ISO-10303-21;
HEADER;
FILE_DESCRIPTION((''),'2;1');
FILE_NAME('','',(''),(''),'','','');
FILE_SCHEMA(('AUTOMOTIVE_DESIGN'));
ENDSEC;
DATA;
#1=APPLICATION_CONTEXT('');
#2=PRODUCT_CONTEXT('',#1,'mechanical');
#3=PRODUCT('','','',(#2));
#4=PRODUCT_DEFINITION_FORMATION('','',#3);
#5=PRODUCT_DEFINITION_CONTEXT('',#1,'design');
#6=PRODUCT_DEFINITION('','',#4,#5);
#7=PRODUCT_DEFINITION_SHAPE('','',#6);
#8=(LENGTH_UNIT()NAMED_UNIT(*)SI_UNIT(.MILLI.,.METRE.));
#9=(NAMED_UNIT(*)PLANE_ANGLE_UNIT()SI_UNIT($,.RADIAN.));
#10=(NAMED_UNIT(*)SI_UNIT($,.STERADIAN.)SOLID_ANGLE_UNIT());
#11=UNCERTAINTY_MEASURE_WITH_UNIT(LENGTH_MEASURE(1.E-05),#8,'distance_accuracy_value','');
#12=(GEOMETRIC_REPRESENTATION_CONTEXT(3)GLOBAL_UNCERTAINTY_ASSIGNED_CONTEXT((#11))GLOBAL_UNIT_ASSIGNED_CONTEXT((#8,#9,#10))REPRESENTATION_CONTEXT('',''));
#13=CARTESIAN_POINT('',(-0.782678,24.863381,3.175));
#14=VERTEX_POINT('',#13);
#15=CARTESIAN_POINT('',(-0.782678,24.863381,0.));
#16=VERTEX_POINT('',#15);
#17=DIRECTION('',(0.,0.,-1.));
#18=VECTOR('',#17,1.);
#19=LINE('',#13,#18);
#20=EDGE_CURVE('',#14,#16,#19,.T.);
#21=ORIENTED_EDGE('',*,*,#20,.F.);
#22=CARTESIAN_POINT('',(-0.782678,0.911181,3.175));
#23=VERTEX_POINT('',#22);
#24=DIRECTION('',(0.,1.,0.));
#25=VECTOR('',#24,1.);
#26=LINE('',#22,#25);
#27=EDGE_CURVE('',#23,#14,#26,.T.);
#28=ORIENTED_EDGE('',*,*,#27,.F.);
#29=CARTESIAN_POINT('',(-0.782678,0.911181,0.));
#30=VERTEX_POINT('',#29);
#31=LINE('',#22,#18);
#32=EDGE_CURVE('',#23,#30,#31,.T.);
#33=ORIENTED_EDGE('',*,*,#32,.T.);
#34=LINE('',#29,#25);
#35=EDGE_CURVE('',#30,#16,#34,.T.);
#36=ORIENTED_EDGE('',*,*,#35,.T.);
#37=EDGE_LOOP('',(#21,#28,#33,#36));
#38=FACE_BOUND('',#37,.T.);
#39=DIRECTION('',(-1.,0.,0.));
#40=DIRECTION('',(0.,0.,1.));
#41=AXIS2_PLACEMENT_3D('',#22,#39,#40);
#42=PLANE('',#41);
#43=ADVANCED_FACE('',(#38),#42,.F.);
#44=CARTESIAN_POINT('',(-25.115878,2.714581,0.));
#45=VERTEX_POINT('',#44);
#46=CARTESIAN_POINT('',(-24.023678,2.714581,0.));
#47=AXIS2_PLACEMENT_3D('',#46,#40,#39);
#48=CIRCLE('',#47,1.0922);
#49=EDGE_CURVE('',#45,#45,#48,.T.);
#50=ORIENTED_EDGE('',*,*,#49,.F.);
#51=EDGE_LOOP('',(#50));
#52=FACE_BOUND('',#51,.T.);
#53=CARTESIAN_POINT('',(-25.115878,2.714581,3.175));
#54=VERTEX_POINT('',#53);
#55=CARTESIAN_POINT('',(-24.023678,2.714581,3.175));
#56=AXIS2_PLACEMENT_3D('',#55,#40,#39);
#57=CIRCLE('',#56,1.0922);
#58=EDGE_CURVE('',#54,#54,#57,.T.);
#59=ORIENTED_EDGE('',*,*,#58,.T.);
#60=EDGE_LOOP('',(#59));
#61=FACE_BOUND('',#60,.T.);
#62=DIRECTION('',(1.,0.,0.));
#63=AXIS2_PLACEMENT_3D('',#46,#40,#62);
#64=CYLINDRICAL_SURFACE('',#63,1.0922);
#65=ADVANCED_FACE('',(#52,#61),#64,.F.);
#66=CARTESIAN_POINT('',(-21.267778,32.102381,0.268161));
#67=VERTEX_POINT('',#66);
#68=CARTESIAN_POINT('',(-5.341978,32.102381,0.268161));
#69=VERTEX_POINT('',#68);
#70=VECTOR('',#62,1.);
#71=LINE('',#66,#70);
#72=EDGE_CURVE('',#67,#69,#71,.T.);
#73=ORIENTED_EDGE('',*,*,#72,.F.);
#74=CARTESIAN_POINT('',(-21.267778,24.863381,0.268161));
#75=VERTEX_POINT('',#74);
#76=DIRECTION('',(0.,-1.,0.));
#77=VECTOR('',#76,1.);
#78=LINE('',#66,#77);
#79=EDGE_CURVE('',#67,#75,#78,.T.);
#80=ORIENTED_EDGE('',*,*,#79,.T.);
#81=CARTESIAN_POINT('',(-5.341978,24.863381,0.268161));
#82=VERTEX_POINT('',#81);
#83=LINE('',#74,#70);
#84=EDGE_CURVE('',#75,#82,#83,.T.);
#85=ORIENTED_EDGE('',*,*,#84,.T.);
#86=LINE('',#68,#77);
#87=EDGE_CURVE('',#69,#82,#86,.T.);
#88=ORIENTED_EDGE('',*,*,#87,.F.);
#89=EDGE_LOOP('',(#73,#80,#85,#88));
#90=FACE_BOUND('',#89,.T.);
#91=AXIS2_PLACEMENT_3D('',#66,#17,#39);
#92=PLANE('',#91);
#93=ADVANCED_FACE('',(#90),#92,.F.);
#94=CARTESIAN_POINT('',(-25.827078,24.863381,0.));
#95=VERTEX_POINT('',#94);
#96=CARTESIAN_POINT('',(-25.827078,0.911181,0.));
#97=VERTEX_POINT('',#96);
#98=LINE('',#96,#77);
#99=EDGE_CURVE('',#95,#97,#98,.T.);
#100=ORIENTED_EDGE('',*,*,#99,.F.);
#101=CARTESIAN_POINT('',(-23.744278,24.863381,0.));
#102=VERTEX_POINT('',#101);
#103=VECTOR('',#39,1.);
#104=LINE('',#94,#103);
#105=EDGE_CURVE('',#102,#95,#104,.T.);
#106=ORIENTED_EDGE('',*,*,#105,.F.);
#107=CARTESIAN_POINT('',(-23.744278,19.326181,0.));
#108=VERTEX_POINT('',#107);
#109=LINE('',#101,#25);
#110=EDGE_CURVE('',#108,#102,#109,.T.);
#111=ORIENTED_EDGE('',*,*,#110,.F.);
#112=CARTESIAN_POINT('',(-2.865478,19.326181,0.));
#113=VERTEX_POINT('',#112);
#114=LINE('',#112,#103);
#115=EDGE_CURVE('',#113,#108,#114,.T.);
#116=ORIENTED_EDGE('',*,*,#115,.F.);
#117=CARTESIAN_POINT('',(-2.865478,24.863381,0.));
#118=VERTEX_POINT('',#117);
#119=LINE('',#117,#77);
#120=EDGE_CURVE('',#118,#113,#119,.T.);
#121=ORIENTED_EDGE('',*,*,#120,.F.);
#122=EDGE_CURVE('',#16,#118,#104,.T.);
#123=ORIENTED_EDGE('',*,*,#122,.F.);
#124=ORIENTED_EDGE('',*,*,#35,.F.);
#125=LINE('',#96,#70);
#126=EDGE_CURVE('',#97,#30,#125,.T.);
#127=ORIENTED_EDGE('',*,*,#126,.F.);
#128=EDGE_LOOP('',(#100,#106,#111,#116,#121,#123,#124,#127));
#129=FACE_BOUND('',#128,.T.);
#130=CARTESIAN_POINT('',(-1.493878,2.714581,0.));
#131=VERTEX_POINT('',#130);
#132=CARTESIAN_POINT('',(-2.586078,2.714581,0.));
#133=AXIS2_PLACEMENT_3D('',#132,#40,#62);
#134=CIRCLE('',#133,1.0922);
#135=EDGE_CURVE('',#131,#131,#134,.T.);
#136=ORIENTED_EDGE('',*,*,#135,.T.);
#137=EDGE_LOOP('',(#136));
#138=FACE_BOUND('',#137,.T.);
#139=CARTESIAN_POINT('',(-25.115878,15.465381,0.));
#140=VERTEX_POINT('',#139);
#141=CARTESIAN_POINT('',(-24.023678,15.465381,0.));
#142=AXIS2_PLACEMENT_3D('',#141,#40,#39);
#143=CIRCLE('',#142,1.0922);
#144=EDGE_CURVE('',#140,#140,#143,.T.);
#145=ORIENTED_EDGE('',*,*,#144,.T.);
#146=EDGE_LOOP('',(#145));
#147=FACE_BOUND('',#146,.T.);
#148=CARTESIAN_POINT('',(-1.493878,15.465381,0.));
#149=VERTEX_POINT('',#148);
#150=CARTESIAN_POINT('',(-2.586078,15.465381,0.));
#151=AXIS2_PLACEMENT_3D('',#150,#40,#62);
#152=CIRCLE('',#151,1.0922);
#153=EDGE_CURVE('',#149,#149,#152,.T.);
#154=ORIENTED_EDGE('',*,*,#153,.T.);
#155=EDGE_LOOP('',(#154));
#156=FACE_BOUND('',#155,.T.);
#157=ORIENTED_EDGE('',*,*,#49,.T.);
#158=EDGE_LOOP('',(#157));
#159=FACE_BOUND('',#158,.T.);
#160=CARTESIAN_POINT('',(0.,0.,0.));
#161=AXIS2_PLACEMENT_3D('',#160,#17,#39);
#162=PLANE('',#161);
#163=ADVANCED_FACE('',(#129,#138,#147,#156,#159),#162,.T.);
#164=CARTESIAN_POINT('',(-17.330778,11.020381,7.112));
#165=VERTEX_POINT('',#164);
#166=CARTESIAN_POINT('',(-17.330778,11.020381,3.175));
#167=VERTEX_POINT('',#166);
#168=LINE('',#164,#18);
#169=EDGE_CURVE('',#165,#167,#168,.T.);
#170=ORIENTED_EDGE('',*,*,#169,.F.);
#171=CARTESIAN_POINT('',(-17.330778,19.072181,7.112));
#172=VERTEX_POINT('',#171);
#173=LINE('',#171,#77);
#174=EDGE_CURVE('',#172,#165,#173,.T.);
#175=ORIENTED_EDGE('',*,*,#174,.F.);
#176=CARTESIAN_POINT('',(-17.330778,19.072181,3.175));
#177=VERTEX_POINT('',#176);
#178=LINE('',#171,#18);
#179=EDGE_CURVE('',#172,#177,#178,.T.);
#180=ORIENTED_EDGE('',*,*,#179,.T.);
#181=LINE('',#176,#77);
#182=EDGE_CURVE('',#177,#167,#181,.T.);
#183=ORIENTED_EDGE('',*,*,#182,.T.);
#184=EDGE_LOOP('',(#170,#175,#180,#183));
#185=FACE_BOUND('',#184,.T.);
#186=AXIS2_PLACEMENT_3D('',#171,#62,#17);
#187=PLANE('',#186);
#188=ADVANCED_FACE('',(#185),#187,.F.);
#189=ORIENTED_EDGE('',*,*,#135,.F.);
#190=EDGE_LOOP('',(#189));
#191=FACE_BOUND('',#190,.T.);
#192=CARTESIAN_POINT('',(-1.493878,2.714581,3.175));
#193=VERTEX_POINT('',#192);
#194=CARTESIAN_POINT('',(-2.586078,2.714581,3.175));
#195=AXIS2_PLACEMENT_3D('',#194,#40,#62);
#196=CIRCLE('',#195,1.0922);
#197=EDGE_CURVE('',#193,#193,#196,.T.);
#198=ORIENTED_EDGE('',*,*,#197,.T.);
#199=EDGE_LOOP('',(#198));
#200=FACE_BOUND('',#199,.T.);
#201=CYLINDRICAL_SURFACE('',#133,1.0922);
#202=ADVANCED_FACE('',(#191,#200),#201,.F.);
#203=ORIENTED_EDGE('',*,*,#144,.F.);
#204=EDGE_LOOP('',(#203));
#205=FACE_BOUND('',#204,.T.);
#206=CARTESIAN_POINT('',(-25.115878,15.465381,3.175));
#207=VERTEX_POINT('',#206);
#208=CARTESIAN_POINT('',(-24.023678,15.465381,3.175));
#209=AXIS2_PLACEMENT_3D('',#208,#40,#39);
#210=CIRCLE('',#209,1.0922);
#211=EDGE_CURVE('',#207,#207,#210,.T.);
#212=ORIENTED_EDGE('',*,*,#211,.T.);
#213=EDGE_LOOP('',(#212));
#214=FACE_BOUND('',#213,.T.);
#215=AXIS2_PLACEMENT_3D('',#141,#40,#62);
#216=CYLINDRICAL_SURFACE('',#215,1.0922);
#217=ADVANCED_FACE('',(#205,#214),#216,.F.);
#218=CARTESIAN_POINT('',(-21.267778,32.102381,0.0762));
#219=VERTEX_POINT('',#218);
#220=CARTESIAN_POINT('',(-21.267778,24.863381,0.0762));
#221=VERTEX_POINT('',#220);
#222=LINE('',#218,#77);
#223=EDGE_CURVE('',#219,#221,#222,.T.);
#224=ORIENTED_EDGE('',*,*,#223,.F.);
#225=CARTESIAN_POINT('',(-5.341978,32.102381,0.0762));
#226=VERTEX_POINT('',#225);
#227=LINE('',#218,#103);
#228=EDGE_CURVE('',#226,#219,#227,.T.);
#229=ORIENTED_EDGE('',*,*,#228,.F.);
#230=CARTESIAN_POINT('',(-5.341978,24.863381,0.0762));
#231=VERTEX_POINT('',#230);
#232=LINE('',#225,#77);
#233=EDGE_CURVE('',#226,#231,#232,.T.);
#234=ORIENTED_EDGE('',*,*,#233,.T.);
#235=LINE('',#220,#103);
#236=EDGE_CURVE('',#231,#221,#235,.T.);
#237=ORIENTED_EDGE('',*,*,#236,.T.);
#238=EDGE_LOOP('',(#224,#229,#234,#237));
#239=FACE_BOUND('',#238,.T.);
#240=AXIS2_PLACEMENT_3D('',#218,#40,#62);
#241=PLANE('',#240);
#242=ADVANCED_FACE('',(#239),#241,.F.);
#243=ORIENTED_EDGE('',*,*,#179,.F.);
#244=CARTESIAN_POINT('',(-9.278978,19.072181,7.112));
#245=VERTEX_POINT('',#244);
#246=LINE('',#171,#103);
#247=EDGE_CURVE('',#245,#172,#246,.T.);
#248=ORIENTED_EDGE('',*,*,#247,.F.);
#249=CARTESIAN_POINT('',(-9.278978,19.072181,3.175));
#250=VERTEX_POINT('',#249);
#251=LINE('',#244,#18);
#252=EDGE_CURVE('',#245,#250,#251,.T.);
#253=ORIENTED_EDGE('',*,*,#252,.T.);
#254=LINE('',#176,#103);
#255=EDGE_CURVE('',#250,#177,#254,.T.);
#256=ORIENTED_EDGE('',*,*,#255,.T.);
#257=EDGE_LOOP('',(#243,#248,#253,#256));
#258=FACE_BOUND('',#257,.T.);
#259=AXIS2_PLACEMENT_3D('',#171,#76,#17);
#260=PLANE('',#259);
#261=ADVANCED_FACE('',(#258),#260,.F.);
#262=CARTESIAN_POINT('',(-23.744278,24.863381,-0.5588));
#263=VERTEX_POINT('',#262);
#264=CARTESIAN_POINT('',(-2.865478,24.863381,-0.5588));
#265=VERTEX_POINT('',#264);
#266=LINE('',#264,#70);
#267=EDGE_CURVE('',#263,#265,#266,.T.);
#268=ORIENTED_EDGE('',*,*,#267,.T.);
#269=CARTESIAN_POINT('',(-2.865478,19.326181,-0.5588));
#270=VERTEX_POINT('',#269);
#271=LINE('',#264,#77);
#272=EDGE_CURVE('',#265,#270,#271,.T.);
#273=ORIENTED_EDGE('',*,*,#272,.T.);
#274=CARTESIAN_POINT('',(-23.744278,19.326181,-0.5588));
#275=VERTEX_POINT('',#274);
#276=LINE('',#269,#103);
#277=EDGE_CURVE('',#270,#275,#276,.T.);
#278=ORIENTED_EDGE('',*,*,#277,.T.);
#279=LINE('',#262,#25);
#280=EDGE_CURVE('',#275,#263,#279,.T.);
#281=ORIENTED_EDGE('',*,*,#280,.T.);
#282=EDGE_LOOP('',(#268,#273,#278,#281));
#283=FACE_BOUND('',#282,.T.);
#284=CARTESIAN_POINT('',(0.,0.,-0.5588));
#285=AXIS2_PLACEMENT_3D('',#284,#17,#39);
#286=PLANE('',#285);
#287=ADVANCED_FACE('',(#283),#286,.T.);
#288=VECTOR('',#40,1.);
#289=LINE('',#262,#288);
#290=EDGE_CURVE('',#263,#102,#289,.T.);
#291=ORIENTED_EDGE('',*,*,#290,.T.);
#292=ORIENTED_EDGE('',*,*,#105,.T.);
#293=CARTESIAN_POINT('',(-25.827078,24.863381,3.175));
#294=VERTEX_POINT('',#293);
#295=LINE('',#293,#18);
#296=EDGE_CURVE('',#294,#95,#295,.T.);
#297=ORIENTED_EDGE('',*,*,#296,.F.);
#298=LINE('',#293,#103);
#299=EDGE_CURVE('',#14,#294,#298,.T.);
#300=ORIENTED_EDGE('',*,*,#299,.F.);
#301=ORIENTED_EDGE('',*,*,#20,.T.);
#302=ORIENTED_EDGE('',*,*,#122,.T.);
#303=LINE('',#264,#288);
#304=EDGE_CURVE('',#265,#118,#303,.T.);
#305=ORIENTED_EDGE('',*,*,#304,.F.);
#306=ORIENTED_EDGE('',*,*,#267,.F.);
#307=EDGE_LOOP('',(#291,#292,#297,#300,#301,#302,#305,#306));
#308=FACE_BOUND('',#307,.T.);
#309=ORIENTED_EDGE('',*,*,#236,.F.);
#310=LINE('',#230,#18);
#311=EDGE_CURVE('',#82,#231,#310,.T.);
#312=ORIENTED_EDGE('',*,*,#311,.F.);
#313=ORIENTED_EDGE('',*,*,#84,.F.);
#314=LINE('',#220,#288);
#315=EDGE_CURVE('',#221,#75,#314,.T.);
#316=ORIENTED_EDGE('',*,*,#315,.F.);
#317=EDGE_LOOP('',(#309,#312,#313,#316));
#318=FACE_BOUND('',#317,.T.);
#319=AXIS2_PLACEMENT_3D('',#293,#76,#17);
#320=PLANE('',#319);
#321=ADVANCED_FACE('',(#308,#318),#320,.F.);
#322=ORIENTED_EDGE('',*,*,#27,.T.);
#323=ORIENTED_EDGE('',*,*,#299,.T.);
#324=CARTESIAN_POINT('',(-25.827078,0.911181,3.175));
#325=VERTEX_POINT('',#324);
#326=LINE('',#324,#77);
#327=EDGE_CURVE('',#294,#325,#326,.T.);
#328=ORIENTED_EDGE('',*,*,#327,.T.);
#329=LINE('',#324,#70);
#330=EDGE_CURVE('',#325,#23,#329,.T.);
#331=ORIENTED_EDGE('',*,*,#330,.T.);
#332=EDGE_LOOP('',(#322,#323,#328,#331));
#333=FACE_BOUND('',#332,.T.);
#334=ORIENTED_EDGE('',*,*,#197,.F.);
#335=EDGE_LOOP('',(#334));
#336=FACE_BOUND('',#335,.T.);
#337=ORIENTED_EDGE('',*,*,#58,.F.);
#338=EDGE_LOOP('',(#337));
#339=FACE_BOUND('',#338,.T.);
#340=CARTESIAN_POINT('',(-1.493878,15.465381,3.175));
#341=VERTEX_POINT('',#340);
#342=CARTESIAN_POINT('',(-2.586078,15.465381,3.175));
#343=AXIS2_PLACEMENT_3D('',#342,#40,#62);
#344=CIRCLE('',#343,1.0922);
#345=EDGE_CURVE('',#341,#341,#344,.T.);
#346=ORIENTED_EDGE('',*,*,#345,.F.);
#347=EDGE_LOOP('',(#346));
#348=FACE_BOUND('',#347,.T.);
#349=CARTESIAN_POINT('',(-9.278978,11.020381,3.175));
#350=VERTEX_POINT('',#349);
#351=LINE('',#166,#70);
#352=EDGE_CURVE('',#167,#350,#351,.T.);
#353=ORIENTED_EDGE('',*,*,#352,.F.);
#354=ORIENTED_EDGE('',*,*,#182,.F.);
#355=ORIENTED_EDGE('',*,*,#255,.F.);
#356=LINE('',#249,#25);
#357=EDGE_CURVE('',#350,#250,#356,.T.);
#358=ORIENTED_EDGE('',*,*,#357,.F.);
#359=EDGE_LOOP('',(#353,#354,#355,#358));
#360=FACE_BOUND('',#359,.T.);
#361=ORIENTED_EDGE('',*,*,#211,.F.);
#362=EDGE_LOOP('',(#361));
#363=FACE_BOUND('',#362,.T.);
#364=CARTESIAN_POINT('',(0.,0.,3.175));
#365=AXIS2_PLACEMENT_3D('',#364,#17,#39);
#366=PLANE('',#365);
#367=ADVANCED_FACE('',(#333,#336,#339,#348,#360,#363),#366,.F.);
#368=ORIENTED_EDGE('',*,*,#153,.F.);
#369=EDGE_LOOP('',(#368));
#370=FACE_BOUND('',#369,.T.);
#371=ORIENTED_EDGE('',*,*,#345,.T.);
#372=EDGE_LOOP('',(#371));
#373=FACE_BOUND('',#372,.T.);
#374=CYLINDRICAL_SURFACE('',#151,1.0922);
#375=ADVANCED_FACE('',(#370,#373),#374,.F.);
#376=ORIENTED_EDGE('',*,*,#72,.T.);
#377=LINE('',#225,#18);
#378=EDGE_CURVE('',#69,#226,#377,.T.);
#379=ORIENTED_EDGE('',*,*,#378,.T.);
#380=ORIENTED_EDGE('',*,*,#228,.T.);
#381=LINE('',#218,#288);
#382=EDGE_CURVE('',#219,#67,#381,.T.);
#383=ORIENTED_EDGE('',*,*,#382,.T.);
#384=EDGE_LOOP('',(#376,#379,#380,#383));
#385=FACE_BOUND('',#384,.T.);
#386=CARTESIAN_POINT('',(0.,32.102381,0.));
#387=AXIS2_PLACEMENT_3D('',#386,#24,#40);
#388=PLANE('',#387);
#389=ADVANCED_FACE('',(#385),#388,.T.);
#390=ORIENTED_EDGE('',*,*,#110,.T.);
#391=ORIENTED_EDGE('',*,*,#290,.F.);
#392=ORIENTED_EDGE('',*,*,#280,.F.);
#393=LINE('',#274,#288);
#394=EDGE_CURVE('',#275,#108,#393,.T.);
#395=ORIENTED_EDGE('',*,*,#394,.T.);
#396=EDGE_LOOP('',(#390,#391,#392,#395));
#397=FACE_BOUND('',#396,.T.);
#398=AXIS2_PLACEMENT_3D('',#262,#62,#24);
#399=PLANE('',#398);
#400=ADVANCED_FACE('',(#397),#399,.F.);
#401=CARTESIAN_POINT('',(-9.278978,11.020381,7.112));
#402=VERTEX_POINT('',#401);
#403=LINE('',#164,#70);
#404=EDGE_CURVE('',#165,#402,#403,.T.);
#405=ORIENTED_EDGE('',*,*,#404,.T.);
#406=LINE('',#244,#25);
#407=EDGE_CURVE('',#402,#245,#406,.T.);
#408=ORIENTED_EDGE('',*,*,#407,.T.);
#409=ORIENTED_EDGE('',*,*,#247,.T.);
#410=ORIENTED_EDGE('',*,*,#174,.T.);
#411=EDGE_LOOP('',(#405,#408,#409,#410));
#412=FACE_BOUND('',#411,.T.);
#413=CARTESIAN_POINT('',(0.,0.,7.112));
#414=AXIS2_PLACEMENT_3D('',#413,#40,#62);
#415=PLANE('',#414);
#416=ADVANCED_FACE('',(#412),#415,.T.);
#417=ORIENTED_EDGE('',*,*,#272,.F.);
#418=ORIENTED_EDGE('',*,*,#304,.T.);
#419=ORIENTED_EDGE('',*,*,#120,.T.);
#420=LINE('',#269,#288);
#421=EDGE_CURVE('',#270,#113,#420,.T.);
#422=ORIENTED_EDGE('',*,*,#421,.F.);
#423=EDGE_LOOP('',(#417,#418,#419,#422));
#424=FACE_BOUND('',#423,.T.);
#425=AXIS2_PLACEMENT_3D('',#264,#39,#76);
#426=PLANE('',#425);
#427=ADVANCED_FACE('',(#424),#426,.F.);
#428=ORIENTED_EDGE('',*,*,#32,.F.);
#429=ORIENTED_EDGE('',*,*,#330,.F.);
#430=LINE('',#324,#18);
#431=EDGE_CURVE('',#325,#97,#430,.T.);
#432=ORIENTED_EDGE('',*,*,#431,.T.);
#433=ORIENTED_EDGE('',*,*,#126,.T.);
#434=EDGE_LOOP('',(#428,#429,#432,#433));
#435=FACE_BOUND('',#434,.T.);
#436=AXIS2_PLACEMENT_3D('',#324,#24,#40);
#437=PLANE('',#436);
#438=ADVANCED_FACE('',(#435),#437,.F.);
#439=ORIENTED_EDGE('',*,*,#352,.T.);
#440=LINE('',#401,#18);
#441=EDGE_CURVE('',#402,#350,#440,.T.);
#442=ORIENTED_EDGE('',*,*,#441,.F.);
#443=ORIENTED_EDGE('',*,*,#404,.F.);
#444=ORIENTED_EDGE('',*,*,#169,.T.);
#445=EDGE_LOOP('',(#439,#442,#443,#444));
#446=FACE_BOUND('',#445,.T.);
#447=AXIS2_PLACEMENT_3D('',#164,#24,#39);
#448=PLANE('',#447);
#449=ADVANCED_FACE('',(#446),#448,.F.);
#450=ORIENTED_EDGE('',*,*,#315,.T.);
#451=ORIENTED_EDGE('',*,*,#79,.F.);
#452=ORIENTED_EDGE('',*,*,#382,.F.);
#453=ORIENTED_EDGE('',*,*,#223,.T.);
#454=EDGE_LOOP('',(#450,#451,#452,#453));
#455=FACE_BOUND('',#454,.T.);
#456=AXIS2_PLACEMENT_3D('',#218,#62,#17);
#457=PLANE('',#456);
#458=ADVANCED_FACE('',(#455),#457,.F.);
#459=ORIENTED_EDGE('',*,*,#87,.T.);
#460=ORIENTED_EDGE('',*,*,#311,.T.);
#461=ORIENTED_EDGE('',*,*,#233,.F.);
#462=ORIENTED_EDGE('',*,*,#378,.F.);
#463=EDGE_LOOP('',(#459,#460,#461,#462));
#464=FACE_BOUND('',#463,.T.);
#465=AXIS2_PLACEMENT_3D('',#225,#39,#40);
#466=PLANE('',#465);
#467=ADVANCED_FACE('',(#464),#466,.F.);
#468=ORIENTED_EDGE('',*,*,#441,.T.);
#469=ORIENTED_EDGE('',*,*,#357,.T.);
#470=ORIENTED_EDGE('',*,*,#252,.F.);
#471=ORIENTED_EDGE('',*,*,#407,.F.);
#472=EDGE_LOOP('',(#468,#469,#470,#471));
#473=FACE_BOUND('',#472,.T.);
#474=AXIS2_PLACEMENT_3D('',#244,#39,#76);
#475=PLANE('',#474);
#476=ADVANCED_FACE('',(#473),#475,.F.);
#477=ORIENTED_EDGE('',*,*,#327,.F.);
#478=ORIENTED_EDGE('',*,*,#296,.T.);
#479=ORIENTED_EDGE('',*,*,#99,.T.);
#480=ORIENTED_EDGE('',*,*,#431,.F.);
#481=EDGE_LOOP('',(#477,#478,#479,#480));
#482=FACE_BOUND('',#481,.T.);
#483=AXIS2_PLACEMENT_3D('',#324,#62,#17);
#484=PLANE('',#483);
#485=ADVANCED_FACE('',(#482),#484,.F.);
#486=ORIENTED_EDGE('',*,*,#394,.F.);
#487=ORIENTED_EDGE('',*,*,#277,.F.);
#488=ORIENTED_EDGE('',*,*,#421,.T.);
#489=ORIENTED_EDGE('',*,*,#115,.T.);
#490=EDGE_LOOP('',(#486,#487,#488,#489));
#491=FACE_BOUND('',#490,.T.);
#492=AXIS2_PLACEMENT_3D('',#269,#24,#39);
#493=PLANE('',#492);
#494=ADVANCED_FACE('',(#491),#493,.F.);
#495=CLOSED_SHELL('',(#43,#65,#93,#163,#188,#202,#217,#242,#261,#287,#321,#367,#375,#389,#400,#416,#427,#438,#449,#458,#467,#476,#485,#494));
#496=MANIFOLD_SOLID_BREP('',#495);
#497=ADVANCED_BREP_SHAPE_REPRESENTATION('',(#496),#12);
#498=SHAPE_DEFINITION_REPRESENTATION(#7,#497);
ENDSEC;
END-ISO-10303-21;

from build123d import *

# Parameters (mm, degrees)
SKETCH1_W           = 25.0444
SKETCH1_H           = 23.9522
BOSS_EXTRUDE1_DEPTH = 3.175
SKETCH2_R           = 1.0922
CUT_EXTRUDE1_DEPTH  = 3.175
SKETCH3_W           = 8.0518
SKETCH3_H           = 8.0518
BOSS_EXTRUDE2_DEPTH = 3.937
SKETCH4_W           = 20.8788
SKETCH4_H           = 5.5372
BOSS_EXTRUDE3_DEPTH = 0.5588
SKETCH5_W           = 15.9258
SKETCH5_H           = 0.191961024
BOSS_EXTRUDE4_DEPTH = 7.239


with BuildPart() as part:
    # Sketch1 → Boss-Extrude1 (new body)
    with BuildSketch(Plane.XY):
        with Locations((-13.304877678, 12.887280749)):
            Rectangle(SKETCH1_W, SKETCH1_H)
    extrude(amount=BOSS_EXTRUDE1_DEPTH)

    # Sketch2 → Cut-Extrude1 (cut)
    with BuildSketch(Plane.XY.offset(3.175)):
        with Locations((-2.586077678, 2.714580749)):
            Circle(SKETCH2_R)
        with Locations((-2.586077678, 15.465380749)):
            Circle(SKETCH2_R)
        with Locations((-24.023677678, 2.714580749)):
            Circle(SKETCH2_R)
        with Locations((-24.023677678, 15.465380749)):
            Circle(SKETCH2_R)
    extrude(amount=-CUT_EXTRUDE1_DEPTH, mode=Mode.SUBTRACT)

    # Sketch3 → Boss-Extrude2 (add)
    with BuildSketch(Plane.XY.offset(3.175)):
        with Locations((-13.304877678, 15.046280749)):
            Rectangle(SKETCH3_W, SKETCH3_H)
    extrude(amount=BOSS_EXTRUDE2_DEPTH)

    # Sketch4 → Boss-Extrude3 (add)
    with BuildSketch(Plane(origin=(0, 0, 0), x_dir=(-1, 0, 0), z_dir=(0, 0, -1))):
        with Locations((13.304877678, 22.094780749)):
            Rectangle(SKETCH4_W, SKETCH4_H)
    extrude(amount=BOSS_EXTRUDE3_DEPTH)

    # Sketch5 → Boss-Extrude4 (add)
    with BuildSketch(Plane(origin=(0, 24.863380749, 0), x_dir=(1, 0, 0), z_dir=(0, 1, 0))):
        with Locations((-13.304877678, -0.172180512)):
            Rectangle(SKETCH5_W, SKETCH5_H)
    extrude(amount=BOSS_EXTRUDE4_DEPTH)


solid = part.part
